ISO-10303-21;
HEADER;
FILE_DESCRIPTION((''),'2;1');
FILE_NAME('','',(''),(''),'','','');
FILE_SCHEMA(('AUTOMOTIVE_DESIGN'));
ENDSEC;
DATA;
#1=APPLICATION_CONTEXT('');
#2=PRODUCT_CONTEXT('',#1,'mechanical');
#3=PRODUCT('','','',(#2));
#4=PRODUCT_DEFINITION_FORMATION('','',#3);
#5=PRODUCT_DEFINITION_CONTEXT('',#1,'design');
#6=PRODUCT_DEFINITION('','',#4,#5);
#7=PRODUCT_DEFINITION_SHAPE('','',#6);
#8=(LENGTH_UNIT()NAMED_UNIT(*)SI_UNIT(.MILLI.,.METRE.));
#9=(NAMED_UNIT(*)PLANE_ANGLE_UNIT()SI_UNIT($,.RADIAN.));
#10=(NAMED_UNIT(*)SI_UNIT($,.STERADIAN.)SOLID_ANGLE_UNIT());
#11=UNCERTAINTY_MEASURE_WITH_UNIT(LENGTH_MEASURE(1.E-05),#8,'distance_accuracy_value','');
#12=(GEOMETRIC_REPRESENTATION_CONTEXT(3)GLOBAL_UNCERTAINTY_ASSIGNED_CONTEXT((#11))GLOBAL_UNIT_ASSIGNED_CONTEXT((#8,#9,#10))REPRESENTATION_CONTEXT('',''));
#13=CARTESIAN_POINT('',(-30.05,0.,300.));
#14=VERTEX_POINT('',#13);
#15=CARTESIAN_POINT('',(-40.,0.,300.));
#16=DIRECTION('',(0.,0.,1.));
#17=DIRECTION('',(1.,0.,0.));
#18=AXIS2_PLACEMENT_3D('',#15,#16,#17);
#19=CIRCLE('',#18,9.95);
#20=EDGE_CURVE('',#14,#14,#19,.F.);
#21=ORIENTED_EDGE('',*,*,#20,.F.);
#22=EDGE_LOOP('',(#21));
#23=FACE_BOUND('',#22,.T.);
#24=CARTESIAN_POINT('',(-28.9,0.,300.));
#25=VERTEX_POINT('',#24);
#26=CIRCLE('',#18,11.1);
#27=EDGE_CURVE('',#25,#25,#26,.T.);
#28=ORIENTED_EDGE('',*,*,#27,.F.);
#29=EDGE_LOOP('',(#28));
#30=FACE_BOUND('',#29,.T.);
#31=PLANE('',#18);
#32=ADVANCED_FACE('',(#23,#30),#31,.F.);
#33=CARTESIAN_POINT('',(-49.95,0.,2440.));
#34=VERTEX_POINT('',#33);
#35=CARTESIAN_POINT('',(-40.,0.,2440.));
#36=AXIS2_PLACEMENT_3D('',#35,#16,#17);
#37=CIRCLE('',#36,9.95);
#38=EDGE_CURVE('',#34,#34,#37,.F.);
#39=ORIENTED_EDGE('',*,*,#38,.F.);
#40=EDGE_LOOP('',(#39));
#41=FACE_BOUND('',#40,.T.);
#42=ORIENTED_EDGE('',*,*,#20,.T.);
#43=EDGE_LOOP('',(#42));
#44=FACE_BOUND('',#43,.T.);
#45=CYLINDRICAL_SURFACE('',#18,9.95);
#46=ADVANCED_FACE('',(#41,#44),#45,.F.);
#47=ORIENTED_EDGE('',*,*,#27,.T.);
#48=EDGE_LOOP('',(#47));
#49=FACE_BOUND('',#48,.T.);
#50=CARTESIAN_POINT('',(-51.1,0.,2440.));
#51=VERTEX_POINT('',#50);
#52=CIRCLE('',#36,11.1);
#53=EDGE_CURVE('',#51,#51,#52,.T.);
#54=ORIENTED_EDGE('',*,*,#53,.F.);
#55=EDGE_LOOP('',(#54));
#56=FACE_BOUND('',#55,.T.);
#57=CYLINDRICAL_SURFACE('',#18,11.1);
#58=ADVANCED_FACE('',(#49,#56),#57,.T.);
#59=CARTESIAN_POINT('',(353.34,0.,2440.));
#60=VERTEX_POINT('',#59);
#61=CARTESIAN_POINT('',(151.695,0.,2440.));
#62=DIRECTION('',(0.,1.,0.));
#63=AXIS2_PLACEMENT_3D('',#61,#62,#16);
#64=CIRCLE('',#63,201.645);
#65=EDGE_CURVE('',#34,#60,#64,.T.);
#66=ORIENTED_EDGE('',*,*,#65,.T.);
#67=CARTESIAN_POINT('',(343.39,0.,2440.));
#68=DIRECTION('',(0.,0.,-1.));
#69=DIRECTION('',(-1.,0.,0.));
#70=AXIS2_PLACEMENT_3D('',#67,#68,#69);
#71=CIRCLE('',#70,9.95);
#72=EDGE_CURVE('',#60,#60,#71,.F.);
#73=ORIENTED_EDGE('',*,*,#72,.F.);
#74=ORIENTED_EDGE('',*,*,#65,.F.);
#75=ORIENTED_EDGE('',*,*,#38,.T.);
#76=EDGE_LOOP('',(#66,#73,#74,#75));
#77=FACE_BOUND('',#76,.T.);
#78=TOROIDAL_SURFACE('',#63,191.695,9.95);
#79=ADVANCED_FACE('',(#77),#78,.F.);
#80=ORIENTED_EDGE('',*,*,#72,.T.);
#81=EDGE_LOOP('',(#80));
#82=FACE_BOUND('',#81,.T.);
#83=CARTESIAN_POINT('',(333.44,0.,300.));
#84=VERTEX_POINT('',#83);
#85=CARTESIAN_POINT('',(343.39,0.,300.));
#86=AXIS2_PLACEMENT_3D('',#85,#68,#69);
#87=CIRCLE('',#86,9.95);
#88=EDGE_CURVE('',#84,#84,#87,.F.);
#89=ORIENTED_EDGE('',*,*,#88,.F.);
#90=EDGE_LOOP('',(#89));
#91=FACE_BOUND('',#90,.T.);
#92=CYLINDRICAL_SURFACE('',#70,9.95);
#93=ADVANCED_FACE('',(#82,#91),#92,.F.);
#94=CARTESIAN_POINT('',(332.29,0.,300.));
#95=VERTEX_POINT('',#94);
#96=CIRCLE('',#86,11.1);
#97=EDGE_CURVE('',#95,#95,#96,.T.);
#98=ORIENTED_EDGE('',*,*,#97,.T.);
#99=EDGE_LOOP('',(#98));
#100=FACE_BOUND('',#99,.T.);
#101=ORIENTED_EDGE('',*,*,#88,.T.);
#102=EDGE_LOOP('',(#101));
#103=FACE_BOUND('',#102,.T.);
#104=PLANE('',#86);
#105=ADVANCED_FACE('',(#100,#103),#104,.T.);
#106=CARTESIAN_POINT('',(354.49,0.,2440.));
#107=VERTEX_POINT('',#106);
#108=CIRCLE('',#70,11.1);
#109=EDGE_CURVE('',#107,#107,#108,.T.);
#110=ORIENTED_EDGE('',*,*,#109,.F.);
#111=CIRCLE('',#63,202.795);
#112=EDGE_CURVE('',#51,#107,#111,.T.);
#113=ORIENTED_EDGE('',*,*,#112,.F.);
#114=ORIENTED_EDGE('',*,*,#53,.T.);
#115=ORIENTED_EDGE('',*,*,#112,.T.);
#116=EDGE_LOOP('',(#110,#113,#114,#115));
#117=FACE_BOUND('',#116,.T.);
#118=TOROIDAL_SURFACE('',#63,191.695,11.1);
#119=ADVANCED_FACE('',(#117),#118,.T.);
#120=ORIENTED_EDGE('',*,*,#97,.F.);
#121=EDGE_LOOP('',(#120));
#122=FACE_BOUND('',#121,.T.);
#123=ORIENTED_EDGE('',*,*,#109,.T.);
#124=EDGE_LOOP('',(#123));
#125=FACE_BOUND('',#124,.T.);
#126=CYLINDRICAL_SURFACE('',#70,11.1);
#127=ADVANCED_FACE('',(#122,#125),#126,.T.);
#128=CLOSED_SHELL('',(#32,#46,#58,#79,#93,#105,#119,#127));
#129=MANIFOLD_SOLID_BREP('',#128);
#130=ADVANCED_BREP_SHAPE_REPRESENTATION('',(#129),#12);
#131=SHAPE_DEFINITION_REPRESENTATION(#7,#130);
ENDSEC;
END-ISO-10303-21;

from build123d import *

# Parameters (mm, degrees)
SKETCH2_R   = 11.1
SKETCH2_R_2 = 9.95


with BuildPart() as part:
    # Sweep1: sweep along a path in Sketch1
    with BuildLine(Plane(origin=(0, 0, 0), x_dir=(1, 0, 0), z_dir=(0, 1, 0))) as sweep1_path:
        Line((343.39, -300), (343.39, -2440))
        ThreePointArc((343.39, -2440), (151.695, -2631.695), (-40, -2440))
        Line((-40, -2440), (-40, -300))
    # Sketch2 → Sweep1 (sweep)
    with BuildSketch(Plane(origin=(343.39, 0, 300), x_dir=(-1, 0, 0), z_dir=(0, 0, -1))):
        Circle(SKETCH2_R)
        Circle(SKETCH2_R_2, mode=Mode.SUBTRACT)
    sweep(path=sweep1_path.line)


solid = part.part
